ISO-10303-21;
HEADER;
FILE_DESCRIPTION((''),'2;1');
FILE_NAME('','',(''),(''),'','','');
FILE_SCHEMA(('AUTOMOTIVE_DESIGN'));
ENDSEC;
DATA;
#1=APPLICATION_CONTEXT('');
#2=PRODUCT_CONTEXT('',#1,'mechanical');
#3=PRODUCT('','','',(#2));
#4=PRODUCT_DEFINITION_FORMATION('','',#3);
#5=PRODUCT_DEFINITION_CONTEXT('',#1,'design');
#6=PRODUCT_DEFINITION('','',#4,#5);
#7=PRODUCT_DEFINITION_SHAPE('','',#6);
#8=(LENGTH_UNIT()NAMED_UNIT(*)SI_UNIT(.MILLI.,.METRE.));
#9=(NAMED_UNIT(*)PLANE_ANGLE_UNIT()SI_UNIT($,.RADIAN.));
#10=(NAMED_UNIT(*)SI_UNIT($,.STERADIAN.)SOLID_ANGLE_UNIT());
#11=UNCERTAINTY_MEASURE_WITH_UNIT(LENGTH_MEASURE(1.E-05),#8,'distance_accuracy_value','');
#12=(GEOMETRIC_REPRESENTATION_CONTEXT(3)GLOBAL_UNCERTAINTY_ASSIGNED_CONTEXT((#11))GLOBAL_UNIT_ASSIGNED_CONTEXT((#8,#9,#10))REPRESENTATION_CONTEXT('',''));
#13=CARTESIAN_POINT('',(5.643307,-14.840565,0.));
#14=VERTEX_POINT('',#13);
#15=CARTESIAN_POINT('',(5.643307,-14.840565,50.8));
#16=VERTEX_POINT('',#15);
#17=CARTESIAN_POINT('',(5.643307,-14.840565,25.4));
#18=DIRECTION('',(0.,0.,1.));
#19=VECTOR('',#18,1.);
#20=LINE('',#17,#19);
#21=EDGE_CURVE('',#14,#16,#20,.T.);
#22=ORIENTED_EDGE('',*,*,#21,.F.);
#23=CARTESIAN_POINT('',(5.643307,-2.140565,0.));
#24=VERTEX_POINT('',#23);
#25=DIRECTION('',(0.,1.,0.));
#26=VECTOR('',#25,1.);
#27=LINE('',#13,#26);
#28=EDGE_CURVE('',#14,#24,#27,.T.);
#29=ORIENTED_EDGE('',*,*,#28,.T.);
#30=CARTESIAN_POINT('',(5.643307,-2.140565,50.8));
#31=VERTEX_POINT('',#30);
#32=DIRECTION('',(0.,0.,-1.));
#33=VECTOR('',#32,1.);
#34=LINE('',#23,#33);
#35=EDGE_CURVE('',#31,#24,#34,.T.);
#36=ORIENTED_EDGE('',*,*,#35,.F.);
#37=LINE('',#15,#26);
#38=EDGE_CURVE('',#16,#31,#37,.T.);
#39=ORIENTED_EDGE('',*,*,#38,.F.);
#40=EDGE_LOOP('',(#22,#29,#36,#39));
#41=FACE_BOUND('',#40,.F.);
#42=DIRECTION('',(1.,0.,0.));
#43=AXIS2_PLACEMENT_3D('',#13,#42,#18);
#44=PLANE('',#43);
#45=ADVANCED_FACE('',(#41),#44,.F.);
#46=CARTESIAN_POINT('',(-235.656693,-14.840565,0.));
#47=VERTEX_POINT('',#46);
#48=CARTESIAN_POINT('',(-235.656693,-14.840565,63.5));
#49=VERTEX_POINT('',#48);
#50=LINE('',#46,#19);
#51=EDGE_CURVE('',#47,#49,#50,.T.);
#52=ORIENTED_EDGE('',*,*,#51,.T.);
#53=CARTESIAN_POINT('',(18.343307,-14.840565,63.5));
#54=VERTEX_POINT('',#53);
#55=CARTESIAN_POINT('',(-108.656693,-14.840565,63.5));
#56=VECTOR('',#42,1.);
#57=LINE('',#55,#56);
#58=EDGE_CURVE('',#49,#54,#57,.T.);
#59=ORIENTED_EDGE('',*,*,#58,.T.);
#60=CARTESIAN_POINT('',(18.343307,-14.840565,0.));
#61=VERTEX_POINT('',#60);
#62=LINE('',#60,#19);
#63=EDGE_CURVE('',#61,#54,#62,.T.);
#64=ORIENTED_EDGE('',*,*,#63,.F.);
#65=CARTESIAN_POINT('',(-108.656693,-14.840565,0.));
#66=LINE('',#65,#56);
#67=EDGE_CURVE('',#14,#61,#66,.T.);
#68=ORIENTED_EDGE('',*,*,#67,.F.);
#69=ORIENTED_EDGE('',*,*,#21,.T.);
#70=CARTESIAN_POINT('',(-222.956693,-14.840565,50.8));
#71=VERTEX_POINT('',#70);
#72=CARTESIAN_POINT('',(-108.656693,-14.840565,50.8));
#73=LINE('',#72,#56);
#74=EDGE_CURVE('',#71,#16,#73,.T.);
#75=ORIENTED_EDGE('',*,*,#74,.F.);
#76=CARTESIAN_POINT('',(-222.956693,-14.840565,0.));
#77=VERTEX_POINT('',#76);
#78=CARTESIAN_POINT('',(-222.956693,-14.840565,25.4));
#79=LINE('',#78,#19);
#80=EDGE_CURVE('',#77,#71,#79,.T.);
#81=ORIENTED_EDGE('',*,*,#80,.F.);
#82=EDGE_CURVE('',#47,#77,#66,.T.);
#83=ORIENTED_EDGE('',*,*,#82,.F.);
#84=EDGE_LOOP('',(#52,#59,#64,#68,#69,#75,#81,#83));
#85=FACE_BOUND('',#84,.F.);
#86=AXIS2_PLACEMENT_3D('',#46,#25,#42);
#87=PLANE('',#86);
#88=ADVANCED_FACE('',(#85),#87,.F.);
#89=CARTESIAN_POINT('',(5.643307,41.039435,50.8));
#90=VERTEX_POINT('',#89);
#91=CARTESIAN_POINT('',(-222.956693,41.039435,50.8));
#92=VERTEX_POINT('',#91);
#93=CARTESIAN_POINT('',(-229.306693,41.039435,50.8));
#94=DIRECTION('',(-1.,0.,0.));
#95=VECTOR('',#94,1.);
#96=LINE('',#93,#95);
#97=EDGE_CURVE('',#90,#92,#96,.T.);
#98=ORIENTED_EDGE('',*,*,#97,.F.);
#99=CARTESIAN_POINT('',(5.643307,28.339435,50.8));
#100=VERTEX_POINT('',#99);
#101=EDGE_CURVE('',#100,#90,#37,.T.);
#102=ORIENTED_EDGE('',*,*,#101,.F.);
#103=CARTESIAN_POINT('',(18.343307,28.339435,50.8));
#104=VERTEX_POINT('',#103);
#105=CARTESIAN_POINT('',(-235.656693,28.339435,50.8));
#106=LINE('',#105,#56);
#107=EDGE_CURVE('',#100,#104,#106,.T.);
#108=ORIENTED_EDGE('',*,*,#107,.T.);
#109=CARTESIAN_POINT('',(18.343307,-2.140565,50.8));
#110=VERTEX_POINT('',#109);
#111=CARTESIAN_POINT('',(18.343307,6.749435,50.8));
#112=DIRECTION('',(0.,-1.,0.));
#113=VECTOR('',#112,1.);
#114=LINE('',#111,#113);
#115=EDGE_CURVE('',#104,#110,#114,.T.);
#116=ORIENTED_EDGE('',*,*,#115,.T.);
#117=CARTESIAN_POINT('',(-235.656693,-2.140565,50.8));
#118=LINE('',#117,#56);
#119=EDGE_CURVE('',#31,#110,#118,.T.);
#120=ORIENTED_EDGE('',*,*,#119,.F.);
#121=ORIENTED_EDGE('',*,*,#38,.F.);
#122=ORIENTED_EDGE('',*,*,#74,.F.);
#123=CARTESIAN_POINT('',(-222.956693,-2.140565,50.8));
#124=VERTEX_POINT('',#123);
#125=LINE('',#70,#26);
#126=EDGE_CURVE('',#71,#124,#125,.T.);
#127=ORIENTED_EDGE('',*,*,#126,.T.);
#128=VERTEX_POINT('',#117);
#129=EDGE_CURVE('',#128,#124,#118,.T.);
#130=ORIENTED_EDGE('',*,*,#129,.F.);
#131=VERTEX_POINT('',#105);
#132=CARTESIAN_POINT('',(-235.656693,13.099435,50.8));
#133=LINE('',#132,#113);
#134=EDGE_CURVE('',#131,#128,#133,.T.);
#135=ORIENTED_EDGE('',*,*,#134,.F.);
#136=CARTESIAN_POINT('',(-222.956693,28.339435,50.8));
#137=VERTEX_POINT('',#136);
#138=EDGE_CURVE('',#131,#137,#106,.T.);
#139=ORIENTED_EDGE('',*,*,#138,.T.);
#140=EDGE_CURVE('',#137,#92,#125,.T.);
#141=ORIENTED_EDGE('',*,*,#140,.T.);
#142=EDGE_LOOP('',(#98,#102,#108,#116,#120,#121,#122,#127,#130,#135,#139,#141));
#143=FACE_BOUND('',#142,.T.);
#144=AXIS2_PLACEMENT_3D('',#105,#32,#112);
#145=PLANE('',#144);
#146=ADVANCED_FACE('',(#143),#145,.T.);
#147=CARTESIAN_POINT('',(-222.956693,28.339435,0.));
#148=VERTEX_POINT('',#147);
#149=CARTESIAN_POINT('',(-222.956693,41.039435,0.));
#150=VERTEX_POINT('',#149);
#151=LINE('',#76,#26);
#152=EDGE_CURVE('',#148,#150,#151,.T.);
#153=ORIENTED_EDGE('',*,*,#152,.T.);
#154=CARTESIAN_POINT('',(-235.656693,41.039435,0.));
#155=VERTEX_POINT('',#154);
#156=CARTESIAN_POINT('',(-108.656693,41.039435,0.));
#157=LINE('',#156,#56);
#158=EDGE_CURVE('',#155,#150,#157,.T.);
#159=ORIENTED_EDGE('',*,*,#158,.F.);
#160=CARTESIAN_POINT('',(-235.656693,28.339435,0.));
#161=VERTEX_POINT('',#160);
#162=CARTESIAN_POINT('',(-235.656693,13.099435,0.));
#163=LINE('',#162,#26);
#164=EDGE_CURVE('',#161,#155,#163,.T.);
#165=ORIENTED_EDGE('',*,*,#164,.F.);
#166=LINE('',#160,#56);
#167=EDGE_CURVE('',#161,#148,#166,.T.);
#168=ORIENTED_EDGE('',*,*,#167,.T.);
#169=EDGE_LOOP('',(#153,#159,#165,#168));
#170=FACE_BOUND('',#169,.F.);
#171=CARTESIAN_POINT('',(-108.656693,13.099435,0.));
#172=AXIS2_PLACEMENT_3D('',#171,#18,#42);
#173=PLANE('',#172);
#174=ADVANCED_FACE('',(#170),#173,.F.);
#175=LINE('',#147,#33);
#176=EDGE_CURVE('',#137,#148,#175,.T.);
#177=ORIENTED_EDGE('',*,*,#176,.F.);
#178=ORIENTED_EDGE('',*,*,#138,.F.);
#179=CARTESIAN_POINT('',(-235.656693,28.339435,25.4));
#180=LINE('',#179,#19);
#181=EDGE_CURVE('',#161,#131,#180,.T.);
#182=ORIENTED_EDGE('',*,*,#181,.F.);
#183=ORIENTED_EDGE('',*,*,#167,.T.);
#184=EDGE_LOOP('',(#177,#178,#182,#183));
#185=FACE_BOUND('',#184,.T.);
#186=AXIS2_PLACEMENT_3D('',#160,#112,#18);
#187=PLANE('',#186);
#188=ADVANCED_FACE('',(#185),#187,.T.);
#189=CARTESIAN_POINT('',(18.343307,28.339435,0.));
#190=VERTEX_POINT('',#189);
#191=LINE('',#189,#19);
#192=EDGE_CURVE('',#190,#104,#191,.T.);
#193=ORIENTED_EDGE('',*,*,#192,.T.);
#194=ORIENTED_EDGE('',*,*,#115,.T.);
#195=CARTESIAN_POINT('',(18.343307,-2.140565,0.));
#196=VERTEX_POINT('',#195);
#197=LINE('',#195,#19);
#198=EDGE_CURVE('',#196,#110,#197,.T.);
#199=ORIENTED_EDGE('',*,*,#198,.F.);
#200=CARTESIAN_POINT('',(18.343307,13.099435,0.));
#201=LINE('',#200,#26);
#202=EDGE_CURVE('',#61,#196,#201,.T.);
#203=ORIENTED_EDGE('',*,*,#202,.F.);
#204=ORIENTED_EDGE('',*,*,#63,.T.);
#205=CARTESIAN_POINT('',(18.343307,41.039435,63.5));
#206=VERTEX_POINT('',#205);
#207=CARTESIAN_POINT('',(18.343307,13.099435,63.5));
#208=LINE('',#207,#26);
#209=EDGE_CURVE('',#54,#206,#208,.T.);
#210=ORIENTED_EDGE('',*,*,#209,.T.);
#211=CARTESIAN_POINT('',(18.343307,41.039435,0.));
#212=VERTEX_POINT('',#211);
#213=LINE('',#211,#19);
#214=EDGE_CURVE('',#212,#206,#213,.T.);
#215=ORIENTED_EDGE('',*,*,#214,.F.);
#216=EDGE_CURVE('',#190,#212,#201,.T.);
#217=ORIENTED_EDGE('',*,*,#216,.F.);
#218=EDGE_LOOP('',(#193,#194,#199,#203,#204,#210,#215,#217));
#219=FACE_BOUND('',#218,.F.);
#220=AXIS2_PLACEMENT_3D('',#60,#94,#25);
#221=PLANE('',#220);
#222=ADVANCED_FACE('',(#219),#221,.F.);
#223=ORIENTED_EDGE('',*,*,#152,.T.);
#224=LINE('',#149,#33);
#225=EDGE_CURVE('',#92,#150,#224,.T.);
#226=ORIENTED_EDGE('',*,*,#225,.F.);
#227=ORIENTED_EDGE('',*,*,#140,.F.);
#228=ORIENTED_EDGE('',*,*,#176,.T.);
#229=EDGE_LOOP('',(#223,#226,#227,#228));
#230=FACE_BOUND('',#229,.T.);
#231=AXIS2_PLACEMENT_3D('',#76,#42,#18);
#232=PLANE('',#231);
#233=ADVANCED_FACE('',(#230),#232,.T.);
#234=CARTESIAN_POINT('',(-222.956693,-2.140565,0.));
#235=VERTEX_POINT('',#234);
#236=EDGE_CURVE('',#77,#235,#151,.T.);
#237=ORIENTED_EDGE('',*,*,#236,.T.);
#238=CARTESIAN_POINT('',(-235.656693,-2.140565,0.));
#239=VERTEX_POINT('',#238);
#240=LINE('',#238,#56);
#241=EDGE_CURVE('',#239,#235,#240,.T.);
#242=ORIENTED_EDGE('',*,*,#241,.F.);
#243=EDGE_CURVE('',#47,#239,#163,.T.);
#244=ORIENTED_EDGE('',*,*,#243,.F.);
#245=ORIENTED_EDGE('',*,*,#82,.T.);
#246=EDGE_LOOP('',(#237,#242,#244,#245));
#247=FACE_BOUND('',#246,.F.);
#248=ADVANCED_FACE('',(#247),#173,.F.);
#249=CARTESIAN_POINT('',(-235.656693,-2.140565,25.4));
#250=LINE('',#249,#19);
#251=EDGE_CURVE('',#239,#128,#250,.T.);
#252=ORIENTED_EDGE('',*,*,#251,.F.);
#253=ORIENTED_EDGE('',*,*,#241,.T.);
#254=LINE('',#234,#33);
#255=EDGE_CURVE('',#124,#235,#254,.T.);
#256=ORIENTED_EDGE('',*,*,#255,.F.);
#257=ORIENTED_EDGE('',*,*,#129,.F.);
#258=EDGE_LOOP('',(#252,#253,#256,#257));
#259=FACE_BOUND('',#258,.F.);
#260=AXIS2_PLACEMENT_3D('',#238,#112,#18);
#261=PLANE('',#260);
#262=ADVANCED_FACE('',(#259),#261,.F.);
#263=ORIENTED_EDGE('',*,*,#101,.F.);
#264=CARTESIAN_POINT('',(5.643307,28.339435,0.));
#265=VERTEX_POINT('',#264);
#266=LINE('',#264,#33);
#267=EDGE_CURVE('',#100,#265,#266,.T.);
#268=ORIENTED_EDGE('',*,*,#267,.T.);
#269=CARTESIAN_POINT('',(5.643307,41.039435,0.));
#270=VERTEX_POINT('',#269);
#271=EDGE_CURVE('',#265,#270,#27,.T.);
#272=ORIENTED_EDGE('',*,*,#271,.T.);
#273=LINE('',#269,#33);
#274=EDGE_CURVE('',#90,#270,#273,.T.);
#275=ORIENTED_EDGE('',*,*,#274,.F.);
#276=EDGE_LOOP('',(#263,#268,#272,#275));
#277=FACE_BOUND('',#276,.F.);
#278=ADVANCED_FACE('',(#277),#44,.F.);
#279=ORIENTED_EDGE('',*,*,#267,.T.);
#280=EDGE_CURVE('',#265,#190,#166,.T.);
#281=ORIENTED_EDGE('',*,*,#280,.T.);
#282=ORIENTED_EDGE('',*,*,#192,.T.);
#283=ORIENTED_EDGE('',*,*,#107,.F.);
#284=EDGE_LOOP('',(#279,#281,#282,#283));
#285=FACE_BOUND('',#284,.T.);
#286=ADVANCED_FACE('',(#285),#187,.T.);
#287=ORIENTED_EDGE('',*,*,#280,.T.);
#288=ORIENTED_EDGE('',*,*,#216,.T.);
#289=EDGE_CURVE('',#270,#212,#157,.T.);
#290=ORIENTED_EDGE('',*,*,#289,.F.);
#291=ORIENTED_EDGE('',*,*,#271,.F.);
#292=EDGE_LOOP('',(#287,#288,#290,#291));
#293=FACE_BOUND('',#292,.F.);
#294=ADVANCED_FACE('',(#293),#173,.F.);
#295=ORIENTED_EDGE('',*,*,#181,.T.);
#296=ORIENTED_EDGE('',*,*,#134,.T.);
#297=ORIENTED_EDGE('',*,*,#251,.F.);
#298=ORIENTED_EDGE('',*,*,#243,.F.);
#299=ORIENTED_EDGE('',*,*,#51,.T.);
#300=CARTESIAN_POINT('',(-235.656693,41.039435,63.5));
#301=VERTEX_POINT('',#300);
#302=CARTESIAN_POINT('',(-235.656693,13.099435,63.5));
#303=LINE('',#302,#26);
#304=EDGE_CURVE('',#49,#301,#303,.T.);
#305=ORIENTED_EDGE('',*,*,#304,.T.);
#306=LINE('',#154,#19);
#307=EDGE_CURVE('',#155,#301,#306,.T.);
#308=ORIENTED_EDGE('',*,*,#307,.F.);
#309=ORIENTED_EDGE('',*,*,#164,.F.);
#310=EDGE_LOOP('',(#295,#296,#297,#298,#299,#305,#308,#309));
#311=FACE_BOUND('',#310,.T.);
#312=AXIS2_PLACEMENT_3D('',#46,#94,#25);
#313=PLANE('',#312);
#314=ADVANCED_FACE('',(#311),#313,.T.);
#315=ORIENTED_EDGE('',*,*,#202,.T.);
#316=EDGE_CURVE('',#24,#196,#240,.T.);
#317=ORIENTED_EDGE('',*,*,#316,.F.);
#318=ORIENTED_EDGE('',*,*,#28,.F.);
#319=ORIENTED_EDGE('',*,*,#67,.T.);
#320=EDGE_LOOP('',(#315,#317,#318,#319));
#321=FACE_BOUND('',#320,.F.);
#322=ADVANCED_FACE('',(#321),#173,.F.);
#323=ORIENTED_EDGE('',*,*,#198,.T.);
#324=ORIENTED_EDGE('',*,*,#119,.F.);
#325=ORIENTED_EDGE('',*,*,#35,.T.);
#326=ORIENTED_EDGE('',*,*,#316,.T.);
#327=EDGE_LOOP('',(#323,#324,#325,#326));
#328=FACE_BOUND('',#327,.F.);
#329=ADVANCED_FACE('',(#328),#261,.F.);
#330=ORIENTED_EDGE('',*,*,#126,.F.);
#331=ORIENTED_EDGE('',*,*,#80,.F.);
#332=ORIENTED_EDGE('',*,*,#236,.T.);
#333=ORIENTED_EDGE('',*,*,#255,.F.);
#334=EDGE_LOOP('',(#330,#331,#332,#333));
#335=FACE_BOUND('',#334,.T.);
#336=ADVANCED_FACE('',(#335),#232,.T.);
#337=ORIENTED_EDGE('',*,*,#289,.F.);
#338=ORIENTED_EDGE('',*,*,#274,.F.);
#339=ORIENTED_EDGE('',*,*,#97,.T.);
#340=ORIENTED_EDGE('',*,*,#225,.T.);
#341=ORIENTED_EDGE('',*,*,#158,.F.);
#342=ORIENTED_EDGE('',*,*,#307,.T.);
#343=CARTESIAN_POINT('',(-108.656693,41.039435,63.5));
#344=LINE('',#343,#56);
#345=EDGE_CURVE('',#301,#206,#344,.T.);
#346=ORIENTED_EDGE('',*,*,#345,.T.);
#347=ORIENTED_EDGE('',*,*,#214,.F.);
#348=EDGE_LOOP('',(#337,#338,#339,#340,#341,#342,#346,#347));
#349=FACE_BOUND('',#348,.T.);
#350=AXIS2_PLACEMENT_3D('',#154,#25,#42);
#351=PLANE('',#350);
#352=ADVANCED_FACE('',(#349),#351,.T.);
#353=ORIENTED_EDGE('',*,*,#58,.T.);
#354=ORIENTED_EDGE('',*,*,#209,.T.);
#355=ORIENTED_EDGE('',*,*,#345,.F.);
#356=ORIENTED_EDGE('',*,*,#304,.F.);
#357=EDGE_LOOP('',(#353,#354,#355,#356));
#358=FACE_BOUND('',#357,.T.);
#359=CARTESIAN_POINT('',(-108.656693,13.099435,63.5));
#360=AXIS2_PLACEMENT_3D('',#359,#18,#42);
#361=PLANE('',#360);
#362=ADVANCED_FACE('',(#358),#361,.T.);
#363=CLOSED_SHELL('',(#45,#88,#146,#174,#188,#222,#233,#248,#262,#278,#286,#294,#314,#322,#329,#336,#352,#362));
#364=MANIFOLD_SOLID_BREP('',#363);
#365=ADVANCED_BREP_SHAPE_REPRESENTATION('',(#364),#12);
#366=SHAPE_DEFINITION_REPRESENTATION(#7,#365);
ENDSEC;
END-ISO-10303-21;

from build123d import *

# Parameters (mm, degrees)
F0_W     = 254
F0_H     = 55.88
F1_DEPTH = 63.5
F2_W     = 228.6
F2_H     = 50.8
F3_DEPTH = 55.881
F4_W     = 30.48
F4_H     = 50.8
F5_DEPTH = 254.001


with BuildPart() as f1:
    # F0 (on Top) → F1 (new body)
    with BuildSketch(Plane.XY):
        with Locations((-108.656693, 13.099435)):
            Rectangle(F0_W, F0_H)
    extrude(amount=F1_DEPTH)

    # F2 (on face) → F3 (cut, through all)
    with BuildSketch(Plane.XZ.offset(14.840565)):
        with Locations((-108.656693, 25.4)):
            Rectangle(F2_W, F2_H)
    extrude(amount=-F3_DEPTH, mode=Mode.SUBTRACT)

    # F4 (on face) → F5 (cut, through all)
    with BuildSketch(Plane(origin=(-235.656693, 0, 0), x_dir=(0, -1, 0), z_dir=(-1, 0, 0))):
        with Locations((-13.099435, 25.4)):
            Rectangle(F4_W, F4_H)
    extrude(amount=-F5_DEPTH, mode=Mode.SUBTRACT)


solid = f1.part
